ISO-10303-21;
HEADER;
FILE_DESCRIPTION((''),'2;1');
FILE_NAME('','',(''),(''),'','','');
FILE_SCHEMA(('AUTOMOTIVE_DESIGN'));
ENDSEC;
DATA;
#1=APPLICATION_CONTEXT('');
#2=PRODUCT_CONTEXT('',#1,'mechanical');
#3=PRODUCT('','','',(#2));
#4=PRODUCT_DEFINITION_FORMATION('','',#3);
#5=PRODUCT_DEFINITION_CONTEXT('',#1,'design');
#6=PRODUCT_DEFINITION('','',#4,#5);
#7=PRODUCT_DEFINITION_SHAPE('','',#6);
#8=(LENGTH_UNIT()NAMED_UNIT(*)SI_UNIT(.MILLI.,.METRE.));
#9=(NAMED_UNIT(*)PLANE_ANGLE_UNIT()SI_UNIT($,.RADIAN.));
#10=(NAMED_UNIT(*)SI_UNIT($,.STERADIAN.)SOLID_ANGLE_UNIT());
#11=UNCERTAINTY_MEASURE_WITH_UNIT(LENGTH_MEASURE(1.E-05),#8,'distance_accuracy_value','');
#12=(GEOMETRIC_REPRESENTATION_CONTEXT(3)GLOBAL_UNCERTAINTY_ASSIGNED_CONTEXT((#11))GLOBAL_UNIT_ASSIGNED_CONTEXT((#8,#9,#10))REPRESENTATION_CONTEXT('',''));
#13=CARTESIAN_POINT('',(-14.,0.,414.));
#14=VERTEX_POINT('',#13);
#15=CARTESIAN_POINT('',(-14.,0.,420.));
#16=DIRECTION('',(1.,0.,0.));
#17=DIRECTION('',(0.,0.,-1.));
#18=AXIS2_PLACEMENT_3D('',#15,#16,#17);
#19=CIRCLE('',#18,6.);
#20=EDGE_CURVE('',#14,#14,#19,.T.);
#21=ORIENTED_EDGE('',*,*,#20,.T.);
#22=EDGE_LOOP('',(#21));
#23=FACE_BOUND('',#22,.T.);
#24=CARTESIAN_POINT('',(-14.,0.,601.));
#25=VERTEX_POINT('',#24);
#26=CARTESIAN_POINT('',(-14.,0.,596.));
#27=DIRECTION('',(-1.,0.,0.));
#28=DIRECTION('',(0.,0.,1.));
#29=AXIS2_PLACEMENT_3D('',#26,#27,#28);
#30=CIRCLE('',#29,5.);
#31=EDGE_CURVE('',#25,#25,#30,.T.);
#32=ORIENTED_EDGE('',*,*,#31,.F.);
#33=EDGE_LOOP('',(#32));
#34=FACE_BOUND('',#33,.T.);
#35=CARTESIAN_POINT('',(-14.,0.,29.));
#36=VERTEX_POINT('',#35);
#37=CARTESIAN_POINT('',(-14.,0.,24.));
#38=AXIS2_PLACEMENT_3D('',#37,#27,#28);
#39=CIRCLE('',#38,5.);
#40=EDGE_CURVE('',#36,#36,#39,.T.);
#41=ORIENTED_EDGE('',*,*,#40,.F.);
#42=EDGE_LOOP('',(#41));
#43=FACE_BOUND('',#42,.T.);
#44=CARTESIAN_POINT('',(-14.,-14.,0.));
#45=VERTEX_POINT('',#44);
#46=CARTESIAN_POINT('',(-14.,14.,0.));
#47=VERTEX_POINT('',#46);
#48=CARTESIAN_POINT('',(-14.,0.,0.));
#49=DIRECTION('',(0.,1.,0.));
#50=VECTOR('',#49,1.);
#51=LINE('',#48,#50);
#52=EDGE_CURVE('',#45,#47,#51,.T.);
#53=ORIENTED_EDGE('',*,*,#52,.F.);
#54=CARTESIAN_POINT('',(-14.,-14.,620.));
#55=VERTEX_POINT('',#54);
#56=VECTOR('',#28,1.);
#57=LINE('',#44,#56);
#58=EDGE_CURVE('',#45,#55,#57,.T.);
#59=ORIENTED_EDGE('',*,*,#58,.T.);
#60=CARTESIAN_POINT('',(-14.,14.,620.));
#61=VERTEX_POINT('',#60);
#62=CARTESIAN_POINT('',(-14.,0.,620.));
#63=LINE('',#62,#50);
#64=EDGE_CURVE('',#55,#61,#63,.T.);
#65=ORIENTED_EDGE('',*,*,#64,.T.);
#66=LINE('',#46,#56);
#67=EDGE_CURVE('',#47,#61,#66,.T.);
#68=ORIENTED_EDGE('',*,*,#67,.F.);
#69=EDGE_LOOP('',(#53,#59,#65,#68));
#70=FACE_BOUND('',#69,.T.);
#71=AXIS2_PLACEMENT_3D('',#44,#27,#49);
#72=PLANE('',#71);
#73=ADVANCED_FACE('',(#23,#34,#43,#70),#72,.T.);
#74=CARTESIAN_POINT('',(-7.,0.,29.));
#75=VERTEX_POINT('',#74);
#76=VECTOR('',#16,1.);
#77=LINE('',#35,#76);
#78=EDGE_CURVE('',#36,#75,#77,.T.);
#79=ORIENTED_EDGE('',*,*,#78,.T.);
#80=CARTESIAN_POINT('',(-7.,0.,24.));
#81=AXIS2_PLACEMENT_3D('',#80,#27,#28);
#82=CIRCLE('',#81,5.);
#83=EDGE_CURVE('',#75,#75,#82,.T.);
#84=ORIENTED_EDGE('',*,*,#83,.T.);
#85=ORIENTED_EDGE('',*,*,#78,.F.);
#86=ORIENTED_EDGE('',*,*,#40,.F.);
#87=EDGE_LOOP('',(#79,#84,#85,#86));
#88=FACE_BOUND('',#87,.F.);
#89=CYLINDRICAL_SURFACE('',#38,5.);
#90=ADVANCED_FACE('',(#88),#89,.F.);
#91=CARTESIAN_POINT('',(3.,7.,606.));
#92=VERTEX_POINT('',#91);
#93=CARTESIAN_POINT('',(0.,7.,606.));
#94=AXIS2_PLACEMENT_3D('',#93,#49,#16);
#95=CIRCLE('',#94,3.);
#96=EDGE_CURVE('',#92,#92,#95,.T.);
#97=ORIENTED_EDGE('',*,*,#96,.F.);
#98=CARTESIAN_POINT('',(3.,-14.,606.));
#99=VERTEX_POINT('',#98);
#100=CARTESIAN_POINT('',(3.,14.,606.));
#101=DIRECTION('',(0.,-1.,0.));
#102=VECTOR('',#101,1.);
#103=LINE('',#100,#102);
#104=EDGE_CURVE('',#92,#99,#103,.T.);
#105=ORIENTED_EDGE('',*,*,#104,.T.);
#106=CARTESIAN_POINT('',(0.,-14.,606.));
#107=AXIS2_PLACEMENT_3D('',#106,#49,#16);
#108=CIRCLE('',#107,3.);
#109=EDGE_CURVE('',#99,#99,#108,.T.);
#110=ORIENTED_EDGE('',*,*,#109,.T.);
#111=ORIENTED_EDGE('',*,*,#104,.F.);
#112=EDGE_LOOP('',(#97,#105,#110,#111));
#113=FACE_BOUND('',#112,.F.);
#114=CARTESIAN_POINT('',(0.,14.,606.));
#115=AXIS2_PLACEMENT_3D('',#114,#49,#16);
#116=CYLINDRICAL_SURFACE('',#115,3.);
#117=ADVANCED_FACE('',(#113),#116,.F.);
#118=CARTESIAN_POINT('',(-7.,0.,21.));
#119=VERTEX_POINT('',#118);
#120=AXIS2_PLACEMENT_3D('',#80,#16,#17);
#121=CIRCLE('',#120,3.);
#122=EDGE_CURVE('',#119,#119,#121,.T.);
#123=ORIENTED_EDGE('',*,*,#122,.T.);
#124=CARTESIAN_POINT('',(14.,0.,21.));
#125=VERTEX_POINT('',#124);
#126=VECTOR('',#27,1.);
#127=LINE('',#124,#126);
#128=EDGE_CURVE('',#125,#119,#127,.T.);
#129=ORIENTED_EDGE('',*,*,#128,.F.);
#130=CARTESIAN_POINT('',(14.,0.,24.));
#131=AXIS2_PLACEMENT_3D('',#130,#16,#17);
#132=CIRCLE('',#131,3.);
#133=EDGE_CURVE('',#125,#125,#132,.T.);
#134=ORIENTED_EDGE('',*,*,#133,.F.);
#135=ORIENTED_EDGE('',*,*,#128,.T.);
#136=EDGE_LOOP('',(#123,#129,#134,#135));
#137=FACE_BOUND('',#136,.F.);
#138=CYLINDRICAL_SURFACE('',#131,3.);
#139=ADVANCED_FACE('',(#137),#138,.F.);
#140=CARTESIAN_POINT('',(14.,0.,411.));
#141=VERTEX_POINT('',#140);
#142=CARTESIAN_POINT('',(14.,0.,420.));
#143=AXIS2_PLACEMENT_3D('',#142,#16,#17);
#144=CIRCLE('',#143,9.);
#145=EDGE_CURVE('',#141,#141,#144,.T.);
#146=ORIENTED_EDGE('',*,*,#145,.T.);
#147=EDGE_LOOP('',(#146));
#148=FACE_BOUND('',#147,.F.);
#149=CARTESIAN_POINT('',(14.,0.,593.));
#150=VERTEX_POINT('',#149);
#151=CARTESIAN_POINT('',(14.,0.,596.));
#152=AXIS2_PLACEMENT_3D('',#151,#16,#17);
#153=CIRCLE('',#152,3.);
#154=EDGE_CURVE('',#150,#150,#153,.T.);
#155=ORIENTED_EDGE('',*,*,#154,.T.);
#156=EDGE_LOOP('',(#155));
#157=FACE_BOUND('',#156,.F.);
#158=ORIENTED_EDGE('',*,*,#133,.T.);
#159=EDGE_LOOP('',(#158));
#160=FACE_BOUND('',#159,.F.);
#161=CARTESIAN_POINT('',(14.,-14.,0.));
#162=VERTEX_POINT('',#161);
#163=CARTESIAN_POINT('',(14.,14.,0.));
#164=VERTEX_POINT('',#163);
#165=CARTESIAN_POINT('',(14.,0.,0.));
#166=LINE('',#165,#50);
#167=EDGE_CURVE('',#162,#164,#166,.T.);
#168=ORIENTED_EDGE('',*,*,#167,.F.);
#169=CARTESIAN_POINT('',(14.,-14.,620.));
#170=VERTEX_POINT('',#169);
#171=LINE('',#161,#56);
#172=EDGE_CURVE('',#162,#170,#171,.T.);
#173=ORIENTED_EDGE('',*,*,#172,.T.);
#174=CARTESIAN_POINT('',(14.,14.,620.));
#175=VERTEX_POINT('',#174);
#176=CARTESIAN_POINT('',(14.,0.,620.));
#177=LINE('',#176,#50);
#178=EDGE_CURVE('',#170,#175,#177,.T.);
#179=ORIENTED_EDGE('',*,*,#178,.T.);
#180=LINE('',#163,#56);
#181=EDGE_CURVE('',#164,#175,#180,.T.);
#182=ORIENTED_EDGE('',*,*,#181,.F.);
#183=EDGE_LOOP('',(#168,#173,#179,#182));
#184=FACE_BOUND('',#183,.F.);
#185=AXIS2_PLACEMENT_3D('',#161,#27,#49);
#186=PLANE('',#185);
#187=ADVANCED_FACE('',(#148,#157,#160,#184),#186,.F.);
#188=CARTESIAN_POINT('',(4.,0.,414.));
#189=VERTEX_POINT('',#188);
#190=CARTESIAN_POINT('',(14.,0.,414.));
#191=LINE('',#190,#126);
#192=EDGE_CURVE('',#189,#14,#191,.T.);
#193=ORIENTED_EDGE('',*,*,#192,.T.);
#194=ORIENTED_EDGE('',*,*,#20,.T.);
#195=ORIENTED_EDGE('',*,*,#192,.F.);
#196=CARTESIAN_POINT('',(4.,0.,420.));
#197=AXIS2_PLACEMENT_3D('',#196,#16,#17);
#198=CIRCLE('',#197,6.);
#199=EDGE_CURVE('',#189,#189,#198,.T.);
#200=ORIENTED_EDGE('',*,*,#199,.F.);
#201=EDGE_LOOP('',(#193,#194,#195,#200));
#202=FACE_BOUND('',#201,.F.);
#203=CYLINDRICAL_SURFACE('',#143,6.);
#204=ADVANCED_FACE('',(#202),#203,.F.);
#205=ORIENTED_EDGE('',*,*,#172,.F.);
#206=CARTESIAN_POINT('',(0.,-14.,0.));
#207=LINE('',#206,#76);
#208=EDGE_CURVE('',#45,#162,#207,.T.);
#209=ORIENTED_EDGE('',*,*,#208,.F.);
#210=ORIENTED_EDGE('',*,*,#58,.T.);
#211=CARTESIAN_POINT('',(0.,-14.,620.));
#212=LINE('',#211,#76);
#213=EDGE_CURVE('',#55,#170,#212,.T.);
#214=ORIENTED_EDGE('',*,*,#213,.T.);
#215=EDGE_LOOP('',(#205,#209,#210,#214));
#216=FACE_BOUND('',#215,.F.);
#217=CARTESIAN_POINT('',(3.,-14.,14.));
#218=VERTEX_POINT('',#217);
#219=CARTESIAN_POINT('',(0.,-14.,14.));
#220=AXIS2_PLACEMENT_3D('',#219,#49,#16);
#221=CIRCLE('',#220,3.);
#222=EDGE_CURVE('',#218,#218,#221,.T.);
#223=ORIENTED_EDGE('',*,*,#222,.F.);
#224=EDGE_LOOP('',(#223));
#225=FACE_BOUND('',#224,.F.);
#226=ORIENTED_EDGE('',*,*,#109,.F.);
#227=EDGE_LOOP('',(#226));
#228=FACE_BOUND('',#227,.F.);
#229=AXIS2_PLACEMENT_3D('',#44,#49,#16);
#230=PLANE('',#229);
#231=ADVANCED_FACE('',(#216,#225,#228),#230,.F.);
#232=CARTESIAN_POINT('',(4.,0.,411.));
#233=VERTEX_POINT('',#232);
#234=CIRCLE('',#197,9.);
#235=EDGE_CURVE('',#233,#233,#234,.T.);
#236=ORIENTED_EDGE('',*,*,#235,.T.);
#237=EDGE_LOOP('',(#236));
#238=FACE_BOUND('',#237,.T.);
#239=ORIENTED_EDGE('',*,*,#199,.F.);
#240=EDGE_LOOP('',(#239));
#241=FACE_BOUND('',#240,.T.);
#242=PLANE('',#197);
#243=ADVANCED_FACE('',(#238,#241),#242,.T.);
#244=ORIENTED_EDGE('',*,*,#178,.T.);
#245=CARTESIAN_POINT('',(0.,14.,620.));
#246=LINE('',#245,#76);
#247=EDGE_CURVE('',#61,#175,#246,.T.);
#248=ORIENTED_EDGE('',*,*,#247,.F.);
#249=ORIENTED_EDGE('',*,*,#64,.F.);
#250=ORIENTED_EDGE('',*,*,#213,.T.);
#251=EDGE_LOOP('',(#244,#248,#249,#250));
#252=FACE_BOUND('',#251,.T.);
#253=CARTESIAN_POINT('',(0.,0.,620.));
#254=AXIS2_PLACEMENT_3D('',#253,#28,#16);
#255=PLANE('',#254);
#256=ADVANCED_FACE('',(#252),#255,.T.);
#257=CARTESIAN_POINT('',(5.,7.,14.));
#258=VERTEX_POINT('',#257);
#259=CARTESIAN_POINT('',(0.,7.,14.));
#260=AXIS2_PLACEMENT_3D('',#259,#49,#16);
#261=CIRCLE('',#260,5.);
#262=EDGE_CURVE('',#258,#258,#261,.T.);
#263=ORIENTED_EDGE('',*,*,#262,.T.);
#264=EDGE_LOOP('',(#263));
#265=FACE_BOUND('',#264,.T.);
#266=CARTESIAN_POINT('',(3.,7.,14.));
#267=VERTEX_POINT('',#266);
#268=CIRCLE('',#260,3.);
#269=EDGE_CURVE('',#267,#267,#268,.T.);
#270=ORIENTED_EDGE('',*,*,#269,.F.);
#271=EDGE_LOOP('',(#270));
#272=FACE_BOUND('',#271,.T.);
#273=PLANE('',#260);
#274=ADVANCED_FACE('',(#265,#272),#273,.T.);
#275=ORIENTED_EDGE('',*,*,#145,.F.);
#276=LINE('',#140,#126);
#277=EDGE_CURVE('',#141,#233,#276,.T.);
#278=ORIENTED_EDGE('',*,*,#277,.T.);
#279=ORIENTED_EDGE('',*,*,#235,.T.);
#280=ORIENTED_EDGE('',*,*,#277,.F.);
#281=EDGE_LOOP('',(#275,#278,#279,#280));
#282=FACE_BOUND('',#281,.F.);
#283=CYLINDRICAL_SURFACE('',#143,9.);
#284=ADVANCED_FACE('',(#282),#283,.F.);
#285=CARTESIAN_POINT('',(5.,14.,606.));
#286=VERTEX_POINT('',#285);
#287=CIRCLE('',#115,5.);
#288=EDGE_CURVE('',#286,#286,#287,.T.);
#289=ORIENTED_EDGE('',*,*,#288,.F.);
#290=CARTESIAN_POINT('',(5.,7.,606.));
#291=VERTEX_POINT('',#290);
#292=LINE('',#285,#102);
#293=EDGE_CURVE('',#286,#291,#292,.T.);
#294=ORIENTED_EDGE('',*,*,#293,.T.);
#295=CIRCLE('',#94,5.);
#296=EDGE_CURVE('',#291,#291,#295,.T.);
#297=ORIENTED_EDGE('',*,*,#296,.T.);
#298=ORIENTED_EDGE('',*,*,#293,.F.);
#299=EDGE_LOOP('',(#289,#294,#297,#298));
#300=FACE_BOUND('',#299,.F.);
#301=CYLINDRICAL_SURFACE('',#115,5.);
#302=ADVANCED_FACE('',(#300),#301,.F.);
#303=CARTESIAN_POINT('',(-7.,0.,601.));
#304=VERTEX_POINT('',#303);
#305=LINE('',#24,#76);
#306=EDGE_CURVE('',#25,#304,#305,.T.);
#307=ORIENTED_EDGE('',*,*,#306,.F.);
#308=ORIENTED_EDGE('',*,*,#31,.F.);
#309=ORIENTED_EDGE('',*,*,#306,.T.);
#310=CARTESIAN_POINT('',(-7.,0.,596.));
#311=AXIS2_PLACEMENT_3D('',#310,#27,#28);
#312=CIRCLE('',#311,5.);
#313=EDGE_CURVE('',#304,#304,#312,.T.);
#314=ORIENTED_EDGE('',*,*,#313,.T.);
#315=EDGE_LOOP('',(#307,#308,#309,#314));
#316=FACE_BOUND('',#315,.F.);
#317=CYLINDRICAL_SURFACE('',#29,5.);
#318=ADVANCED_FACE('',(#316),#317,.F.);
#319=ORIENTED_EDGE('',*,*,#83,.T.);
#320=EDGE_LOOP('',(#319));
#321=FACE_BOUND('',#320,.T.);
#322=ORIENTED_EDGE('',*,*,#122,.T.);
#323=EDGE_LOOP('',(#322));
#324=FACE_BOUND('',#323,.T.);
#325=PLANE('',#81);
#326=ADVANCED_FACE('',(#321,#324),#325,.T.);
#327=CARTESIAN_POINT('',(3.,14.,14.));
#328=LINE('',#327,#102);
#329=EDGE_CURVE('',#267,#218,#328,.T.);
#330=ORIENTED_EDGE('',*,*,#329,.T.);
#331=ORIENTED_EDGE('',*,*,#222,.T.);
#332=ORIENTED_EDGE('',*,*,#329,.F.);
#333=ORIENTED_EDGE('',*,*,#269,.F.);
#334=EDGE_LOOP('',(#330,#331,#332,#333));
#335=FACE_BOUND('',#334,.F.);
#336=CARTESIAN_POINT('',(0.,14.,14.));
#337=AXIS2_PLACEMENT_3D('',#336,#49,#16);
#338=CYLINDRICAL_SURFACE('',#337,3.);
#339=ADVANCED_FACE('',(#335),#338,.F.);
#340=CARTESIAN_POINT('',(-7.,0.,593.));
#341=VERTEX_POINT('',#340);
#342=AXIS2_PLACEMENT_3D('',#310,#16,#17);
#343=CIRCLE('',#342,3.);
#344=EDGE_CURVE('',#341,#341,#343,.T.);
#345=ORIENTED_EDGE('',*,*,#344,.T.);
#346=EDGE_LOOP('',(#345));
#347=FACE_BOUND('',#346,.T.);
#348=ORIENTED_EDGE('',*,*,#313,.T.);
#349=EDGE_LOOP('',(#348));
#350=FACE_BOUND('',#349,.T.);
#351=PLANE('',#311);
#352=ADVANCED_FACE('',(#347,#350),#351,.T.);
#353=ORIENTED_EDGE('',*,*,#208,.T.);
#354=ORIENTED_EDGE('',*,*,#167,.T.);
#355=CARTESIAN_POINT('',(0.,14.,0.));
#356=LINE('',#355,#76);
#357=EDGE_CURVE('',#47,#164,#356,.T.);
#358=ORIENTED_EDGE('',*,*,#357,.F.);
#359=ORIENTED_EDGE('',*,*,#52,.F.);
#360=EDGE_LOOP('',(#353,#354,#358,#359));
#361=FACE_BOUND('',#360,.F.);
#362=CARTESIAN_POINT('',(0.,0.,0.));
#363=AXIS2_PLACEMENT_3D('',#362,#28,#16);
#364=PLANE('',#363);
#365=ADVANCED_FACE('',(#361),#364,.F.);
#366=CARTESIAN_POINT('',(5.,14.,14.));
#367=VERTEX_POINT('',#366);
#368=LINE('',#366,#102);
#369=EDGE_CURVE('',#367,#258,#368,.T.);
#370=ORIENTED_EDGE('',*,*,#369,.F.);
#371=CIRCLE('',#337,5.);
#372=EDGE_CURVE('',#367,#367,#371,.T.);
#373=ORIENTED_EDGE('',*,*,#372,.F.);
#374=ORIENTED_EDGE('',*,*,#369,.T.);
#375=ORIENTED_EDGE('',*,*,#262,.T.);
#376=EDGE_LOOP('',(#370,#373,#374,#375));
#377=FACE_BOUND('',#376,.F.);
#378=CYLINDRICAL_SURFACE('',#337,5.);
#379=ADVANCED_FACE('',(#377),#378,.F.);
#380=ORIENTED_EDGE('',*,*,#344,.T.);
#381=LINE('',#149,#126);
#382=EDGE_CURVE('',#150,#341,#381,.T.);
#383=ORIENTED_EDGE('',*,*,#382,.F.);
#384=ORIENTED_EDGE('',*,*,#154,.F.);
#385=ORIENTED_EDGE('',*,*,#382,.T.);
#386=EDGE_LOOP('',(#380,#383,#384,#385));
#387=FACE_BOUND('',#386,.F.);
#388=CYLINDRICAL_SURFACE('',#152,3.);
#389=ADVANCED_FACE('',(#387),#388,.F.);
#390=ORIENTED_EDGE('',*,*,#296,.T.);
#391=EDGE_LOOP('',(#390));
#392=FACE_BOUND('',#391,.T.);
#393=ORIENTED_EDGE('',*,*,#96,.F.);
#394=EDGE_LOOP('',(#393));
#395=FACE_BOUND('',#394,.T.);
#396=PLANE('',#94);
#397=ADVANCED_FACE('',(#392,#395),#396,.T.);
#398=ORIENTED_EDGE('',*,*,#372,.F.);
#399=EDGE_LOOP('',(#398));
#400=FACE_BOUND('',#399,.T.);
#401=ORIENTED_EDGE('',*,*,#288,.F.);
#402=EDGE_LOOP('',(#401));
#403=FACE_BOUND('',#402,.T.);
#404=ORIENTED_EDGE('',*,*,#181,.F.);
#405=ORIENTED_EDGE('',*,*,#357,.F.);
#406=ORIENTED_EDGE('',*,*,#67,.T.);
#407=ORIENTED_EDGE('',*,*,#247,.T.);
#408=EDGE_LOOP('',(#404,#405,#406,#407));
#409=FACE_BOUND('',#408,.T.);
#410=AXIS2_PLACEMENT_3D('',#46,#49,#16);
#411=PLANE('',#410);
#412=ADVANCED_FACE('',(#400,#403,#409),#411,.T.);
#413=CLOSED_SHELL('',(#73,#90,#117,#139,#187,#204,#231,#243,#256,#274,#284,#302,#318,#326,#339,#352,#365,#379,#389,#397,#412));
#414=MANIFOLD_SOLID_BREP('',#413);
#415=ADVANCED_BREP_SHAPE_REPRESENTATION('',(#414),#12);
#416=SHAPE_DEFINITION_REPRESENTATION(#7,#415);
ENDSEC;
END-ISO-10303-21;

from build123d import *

# Parameters (mm, degrees)
IZIM1_W                     = 28
IZIM1_H                     = 28
Y_KSEKLIK_EKSTR_ZYON1_DEPTH = 620
IZIM3_R                     = 5
KES_EKSTR_ZYON2_DEPTH       = 7
IZIM4_R                     = 3
KES_EKSTR_ZYON3_DEPTH       = 29
IZIM5_R                     = 6
KES_EKSTR_ZYON4_DEPTH       = 29
IZIM6_R                     = 9
KES_EKSTR_ZYON5_DEPTH       = 10
KES_EKSTR_ZYON6_REACH       = 30
IZIM7_R                     = 3
IZIM9_R                     = 5
KES_EKSTR_ZYON8_DEPTH       = 7


with BuildPart() as part:
    # Çizim1 → Yükseklik-Ekstrüzyon1 (new body)
    with BuildSketch(Plane.XY):
        Rectangle(IZIM1_W, IZIM1_H)
    extrude(amount=Y_KSEKLIK_EKSTR_ZYON1_DEPTH)

    # Çizim3 → Kes-Ekstrüzyon2 (cut)
    with BuildSketch(Plane(origin=(0, 14, 0), x_dir=(1, 0, 0), z_dir=(0, 1, 0))):
        with Locations((0, -14)):
            Circle(IZIM3_R)
        with Locations((0, -606)):
            Circle(IZIM3_R)
    extrude(amount=-KES_EKSTR_ZYON2_DEPTH, mode=Mode.SUBTRACT)

    # Çizim4 → Kes-Ekstrüzyon3 (cut, through all)
    with BuildSketch(Plane(origin=(0, 14, 0), x_dir=(1, 0, 0), z_dir=(0, 1, 0))):
        with Locations((0, -606)):
            Circle(IZIM4_R)
        with Locations((0, -14)):
            Circle(IZIM4_R)
    extrude(amount=-KES_EKSTR_ZYON3_DEPTH, mode=Mode.SUBTRACT)

    # Çizim5 → Kes-Ekstrüzyon4 (cut, through all)
    with BuildSketch(Plane(origin=(14, 0, 0), x_dir=(0, 0, -1), z_dir=(1, 0, 0))):
        with Locations((-420, 0)):
            Circle(IZIM5_R)
    extrude(amount=-KES_EKSTR_ZYON4_DEPTH, mode=Mode.SUBTRACT)

    # Çizim6 → Kes-Ekstrüzyon5 (cut)
    with BuildSketch(Plane(origin=(14, 0, 0), x_dir=(0, 0, -1), z_dir=(1, 0, 0))):
        with Locations((-420, 0)):
            Circle(IZIM6_R)
    extrude(amount=-KES_EKSTR_ZYON5_DEPTH, mode=Mode.SUBTRACT)

    # Çizim7 → Kes-Ekstrüzyon6 (cut, up to next)
    with BuildSketch(Plane(origin=(14, 0, 0), x_dir=(0, 0, -1), z_dir=(1, 0, 0)), mode=Mode.PRIVATE) as kes_ekstr_zyon6_sk1:
        with Locations((-24, 0)):
            Circle(IZIM7_R)
    kes_ekstr_zyon6_tool1 = extrude(kes_ekstr_zyon6_sk1.sketch, amount=-KES_EKSTR_ZYON6_REACH, mode=Mode.PRIVATE) & part.part
    add(kes_ekstr_zyon6_tool1.solids().sort_by_distance((14, 0, 24))[0], mode=Mode.SUBTRACT)
    # Çizim7 → Kes-Ekstrüzyon6 (cut, up to next)
    with BuildSketch(Plane(origin=(14, 0, 0), x_dir=(0, 0, -1), z_dir=(1, 0, 0)), mode=Mode.PRIVATE) as kes_ekstr_zyon6_sk2:
        with Locations((-596, 0)):
            Circle(IZIM7_R)
    kes_ekstr_zyon6_tool2 = extrude(kes_ekstr_zyon6_sk2.sketch, amount=-KES_EKSTR_ZYON6_REACH, mode=Mode.PRIVATE) & part.part
    add(kes_ekstr_zyon6_tool2.solids().sort_by_distance((14, 0, 596))[0], mode=Mode.SUBTRACT)

    # Çizim9 → Kes-Ekstrüzyon8 (cut)
    with BuildSketch(Plane.ZY.offset(14)):
        with Locations((596, 0)):
            Circle(IZIM9_R)
        with Locations((24, 0)):
            Circle(IZIM9_R)
    extrude(amount=-KES_EKSTR_ZYON8_DEPTH, mode=Mode.SUBTRACT)


solid = part.part
